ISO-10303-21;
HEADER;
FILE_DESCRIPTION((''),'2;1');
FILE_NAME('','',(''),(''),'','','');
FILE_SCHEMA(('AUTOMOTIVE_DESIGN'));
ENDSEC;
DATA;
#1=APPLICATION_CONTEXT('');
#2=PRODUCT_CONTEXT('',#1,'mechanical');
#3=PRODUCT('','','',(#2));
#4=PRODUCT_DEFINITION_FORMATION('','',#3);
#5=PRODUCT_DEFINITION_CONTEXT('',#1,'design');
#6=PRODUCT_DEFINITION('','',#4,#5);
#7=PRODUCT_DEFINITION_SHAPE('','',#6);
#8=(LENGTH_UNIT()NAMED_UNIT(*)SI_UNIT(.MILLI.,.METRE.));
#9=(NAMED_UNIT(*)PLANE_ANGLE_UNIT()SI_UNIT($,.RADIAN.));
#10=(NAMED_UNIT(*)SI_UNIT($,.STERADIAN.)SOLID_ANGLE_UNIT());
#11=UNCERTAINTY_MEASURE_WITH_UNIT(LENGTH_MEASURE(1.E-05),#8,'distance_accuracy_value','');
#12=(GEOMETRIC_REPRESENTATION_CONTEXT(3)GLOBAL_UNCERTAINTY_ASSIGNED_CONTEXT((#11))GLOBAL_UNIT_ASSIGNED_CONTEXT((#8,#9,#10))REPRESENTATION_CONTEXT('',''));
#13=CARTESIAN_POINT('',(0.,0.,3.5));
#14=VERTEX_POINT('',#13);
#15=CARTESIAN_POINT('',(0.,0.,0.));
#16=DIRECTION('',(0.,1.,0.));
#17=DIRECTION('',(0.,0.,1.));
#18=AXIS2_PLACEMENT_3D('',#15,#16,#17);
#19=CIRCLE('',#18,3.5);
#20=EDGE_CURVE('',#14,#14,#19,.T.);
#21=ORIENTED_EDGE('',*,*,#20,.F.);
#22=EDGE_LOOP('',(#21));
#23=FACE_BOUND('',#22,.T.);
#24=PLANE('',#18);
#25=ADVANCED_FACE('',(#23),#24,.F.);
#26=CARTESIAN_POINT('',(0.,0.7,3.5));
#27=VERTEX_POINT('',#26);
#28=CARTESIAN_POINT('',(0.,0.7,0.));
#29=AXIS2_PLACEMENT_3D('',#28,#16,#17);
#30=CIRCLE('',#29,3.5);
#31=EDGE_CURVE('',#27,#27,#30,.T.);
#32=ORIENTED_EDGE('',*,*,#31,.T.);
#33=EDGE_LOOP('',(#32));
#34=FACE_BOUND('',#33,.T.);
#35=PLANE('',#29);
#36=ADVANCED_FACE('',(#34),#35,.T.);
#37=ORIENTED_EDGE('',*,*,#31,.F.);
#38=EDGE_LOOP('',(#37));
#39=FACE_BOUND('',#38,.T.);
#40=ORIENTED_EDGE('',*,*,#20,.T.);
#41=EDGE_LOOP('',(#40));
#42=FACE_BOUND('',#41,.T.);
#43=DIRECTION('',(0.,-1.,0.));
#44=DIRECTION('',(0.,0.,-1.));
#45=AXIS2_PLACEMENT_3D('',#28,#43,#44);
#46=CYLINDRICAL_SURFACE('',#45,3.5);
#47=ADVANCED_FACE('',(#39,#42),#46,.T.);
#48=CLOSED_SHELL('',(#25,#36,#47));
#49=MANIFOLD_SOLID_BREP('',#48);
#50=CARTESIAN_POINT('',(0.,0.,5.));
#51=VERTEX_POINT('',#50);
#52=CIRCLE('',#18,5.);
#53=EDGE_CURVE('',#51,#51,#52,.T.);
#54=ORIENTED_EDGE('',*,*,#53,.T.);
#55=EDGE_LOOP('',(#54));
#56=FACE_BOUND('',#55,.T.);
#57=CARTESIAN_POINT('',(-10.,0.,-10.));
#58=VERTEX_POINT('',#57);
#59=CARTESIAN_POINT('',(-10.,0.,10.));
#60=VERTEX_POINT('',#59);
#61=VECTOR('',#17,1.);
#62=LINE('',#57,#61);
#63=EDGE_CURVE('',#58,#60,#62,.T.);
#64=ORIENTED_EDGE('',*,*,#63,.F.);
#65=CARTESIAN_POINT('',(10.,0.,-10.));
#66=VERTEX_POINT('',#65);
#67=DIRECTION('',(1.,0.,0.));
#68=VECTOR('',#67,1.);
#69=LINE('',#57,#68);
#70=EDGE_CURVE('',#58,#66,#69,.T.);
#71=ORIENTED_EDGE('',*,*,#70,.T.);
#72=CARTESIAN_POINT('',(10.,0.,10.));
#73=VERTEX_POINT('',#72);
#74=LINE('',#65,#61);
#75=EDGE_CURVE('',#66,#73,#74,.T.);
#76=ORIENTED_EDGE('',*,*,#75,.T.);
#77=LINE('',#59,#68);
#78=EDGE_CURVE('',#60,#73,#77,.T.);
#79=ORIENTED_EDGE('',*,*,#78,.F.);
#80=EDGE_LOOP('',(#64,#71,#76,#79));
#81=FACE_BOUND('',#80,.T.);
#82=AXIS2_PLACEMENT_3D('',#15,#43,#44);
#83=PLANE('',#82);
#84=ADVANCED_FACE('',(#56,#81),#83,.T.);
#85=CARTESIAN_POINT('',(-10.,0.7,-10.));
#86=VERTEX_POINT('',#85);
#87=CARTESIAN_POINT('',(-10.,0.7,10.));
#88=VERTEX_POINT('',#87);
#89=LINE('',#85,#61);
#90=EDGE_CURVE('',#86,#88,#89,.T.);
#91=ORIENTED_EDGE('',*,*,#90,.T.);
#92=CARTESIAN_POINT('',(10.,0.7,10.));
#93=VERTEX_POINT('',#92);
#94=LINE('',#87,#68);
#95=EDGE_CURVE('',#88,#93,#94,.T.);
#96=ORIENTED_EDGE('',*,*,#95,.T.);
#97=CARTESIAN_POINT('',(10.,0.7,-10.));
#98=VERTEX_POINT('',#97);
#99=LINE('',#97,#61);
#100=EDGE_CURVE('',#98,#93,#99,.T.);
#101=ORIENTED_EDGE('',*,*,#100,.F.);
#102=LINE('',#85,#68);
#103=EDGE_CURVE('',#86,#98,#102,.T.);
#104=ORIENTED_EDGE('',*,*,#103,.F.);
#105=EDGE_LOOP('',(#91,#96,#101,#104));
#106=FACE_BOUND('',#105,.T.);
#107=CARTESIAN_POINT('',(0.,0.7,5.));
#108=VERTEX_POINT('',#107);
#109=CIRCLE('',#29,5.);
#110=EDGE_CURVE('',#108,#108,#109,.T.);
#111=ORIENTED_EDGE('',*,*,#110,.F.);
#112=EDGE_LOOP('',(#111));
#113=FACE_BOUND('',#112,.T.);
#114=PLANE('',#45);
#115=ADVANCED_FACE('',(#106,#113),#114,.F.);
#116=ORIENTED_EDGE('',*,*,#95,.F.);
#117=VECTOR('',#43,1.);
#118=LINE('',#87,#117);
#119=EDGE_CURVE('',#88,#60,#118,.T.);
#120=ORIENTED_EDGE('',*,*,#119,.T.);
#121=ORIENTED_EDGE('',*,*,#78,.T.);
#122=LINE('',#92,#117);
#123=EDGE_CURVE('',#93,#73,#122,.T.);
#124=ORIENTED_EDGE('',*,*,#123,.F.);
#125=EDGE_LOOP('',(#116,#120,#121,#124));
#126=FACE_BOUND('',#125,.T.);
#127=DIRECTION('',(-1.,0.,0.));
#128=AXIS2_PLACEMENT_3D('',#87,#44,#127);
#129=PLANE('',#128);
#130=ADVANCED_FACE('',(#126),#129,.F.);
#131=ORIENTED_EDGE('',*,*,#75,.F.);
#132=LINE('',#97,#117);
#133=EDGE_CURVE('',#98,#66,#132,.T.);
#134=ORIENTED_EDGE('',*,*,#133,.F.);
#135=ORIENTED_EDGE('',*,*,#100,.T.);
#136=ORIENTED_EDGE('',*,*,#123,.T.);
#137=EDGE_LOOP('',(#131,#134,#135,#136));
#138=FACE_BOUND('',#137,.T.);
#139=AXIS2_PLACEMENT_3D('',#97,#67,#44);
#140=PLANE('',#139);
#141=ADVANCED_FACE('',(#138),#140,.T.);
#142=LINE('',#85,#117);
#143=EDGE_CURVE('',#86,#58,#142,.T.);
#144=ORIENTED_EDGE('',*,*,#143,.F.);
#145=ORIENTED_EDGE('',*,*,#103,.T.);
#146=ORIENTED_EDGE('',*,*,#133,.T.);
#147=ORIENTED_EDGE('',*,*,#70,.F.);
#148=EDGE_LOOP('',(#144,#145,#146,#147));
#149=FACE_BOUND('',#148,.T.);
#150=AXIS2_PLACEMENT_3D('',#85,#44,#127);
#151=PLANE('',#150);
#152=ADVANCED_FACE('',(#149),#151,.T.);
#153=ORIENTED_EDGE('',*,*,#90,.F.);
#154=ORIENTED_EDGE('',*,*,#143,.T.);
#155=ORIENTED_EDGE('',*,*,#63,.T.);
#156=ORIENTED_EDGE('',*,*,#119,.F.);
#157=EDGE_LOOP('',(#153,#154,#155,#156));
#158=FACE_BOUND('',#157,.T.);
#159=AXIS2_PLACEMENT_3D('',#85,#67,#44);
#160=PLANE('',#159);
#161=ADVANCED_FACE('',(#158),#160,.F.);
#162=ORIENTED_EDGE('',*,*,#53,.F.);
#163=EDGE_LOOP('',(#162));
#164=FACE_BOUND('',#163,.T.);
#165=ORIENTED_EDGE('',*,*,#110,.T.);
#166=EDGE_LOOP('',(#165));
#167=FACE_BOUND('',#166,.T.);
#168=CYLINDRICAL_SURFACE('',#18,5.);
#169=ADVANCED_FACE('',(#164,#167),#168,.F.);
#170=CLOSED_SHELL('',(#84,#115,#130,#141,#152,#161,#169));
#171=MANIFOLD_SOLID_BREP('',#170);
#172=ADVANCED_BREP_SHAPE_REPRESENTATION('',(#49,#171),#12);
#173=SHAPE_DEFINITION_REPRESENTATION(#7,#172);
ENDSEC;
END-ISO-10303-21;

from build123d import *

# Parameters (mm, degrees)
SKETCH3_W           = 20
SKETCH3_H           = 20
BOSS_EXTRUDE3_DEPTH = 0.7
SKETCH5_R           = 5
CUT_EXTRUDE21_DEPTH = 0.7
SKETCH6_R           = 3.5
BOSS_EXTRUDE4_DEPTH = 0.7


with BuildPart() as part:
    # Sketch3 → Boss-Extrude3 (new body)
    with BuildSketch(Plane(origin=(0, 0, 0), x_dir=(1, 0, 0), z_dir=(0, 1, 0))):
        Rectangle(SKETCH3_W, SKETCH3_H)
    extrude(amount=BOSS_EXTRUDE3_DEPTH)

    # Sketch5 → Cut-Extrude21 (cut)
    with BuildSketch(Plane(origin=(0, 0.7, 0), x_dir=(1, 0, 0), z_dir=(0, 1, 0))):
        with Locations(Location((0, 0, 0), (0, 0, 270))):
            Circle(SKETCH5_R)
    extrude(amount=-CUT_EXTRUDE21_DEPTH, mode=Mode.SUBTRACT)


with BuildPart() as body_2:
    # Sketch6 → Boss-Extrude4 (new body)
    with BuildSketch(Plane(origin=(0, 0, 0), x_dir=(1, 0, 0), z_dir=(0, 1, 0))):
        with Locations(Location((0, 0, 0), (0, 0, 270))):
            Circle(SKETCH6_R)
    extrude(amount=BOSS_EXTRUDE4_DEPTH)


solid = Compound([part.part, body_2.part])
